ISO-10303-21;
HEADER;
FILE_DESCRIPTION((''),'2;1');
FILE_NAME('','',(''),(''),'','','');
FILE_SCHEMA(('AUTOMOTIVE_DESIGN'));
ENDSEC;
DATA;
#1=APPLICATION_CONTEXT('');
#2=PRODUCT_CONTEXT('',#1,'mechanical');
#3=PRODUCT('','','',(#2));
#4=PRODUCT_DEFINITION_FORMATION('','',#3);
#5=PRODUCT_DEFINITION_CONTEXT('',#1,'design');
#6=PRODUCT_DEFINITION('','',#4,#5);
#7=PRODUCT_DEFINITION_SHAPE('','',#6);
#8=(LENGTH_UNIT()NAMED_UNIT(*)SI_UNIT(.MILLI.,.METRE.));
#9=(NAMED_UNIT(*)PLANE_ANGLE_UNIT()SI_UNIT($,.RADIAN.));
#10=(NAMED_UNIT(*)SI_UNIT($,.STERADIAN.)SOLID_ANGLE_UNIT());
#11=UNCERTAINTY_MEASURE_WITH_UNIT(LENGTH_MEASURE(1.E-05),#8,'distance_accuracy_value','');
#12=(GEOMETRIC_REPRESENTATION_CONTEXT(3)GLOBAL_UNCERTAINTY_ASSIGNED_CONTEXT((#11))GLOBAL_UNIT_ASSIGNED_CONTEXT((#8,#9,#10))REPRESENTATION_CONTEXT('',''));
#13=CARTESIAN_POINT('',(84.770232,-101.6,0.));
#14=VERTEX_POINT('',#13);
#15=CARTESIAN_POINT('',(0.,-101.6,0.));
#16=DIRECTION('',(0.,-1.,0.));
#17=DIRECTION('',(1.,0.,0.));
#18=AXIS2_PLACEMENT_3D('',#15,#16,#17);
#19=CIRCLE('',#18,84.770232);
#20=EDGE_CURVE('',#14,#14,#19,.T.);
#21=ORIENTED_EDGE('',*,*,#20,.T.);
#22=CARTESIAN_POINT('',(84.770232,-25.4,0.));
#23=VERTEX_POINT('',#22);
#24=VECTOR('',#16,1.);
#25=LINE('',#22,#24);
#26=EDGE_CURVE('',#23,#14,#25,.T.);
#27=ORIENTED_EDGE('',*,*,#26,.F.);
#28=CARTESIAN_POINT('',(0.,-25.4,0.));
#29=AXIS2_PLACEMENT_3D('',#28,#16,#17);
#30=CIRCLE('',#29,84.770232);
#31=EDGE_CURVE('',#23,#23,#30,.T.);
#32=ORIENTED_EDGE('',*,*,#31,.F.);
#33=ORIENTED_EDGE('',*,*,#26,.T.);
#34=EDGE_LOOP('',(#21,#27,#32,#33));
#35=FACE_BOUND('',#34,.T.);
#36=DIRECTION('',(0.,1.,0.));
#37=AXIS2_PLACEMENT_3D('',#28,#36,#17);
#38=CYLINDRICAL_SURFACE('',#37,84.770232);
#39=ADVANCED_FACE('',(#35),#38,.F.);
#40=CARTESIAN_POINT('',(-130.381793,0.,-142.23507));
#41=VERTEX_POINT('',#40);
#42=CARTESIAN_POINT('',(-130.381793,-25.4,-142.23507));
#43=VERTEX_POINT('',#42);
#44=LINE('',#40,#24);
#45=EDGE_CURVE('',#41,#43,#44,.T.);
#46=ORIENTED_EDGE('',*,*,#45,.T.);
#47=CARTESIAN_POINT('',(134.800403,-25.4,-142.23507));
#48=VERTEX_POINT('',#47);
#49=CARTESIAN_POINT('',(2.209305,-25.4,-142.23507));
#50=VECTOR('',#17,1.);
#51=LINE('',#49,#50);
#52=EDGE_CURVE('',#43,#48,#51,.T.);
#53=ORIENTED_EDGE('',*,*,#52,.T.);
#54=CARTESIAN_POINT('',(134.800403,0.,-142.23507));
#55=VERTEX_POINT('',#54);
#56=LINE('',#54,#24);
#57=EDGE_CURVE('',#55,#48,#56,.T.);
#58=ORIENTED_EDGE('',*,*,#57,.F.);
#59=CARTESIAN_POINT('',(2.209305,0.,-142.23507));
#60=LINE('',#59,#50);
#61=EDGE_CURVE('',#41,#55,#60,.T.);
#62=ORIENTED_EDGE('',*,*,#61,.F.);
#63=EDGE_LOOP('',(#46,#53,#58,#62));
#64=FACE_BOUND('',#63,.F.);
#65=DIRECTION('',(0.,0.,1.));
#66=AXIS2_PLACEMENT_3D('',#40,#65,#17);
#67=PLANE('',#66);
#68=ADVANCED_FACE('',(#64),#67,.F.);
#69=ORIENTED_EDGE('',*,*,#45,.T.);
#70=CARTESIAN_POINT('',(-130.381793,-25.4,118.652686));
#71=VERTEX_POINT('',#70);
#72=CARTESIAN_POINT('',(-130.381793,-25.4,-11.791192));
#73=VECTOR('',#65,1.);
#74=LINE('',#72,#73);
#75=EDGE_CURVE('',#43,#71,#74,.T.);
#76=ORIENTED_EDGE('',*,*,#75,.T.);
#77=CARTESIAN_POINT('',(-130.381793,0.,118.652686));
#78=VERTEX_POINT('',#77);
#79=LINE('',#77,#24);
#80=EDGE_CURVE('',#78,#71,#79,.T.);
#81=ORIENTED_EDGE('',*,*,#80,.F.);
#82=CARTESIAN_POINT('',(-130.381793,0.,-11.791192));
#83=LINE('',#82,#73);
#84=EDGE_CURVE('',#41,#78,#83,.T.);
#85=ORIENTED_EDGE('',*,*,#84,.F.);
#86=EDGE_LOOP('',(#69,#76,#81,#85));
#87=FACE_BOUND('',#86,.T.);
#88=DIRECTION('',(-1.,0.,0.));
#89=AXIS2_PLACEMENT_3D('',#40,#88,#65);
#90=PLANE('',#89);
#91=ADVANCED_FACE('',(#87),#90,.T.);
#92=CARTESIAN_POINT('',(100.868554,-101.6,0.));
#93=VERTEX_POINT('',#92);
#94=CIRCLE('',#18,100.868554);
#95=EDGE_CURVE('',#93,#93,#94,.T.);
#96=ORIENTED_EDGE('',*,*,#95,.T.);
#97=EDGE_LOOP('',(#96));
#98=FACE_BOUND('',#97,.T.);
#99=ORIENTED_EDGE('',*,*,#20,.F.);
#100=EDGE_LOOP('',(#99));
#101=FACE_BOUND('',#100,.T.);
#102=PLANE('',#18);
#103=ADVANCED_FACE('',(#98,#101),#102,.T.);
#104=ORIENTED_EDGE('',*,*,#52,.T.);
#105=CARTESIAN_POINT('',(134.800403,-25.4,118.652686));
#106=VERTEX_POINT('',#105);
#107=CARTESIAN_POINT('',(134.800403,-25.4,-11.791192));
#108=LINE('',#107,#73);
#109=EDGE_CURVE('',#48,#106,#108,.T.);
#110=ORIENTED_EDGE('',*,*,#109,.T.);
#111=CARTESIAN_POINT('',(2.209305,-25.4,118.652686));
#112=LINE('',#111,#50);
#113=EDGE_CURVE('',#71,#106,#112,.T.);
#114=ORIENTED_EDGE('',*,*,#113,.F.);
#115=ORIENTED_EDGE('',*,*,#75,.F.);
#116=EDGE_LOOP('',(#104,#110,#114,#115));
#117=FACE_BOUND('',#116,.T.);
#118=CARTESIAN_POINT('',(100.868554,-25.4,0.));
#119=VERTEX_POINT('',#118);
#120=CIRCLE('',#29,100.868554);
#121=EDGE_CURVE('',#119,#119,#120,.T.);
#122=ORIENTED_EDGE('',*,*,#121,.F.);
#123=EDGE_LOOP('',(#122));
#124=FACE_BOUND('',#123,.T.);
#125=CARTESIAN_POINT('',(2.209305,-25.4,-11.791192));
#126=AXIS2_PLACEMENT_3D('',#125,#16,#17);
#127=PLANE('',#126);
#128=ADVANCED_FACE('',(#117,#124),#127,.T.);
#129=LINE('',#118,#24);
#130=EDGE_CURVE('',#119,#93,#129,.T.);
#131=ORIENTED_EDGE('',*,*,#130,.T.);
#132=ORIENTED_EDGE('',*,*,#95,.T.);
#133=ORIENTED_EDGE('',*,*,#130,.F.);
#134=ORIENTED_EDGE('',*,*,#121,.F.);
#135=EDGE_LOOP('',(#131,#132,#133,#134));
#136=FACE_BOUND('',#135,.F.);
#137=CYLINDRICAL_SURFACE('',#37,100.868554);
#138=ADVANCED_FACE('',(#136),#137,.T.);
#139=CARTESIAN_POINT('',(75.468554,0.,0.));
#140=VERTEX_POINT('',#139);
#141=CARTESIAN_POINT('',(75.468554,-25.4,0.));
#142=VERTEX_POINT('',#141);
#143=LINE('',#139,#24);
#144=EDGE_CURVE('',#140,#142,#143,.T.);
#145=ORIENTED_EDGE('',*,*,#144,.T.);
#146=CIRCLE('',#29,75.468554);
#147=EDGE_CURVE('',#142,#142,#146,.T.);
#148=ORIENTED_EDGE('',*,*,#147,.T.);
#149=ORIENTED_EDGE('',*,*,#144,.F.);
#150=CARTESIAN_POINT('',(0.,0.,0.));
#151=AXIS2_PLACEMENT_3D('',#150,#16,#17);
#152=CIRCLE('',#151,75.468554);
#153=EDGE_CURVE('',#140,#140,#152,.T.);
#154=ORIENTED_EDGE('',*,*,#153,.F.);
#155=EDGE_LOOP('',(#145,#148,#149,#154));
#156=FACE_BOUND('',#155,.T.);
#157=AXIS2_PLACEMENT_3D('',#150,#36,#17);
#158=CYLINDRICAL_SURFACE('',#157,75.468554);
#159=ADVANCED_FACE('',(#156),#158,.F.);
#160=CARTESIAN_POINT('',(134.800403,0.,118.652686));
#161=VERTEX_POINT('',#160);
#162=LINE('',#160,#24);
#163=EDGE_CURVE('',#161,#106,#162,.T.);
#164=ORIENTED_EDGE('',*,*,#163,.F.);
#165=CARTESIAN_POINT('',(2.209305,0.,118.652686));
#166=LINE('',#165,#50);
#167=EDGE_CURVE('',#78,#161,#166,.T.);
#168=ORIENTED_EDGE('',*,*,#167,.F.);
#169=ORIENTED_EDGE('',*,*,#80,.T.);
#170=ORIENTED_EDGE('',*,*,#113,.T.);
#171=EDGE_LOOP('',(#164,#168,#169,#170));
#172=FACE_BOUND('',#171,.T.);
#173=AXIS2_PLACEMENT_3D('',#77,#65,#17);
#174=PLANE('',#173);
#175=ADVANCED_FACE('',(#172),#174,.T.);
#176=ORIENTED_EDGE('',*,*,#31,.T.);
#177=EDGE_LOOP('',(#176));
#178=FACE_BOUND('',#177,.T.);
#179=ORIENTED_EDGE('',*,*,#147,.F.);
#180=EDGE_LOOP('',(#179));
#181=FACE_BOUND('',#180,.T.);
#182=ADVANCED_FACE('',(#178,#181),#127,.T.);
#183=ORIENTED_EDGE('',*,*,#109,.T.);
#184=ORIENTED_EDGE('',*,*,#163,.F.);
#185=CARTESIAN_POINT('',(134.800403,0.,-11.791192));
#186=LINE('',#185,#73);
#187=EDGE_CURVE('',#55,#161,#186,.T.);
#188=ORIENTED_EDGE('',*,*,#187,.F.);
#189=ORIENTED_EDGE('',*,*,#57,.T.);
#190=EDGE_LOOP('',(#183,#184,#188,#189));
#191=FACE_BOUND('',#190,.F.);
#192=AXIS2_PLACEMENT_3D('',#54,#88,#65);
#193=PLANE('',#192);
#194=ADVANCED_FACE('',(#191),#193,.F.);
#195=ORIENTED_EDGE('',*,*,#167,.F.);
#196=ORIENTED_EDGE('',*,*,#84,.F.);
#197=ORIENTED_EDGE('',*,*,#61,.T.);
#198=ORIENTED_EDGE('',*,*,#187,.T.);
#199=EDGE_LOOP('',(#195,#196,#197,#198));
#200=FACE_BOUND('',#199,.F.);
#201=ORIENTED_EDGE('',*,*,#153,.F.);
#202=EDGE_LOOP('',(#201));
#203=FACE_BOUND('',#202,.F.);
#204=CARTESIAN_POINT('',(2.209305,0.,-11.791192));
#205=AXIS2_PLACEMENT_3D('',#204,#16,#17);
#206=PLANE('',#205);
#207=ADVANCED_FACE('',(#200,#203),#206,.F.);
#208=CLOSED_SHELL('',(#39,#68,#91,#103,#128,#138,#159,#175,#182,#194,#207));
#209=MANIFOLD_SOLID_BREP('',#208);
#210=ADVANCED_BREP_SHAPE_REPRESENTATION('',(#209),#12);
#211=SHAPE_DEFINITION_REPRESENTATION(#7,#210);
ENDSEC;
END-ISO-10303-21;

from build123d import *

# Parameters (mm, degrees)
F0_W     = 265.182197
F0_H     = 260.887756
F0_R     = 75.468554
F1_DEPTH = 25.4
F2_R     = 100.868554
F2_R_2   = 84.770232
F3_DEPTH = 76.2


with BuildPart() as f1:
    # F0 (on Front) → F1 (new body)
    with BuildSketch(Plane.XZ):
        with Locations((2.209305, -11.791192)):
            Rectangle(F0_W, F0_H)
        Circle(F0_R, mode=Mode.SUBTRACT)
    extrude(amount=F1_DEPTH)

    # F2 (on face) → F3 (join)
    with BuildSketch(Plane.XZ.offset(25.4)):
        Circle(F2_R)
        Circle(F2_R_2, mode=Mode.SUBTRACT)
    extrude(amount=F3_DEPTH)


solid = f1.part
